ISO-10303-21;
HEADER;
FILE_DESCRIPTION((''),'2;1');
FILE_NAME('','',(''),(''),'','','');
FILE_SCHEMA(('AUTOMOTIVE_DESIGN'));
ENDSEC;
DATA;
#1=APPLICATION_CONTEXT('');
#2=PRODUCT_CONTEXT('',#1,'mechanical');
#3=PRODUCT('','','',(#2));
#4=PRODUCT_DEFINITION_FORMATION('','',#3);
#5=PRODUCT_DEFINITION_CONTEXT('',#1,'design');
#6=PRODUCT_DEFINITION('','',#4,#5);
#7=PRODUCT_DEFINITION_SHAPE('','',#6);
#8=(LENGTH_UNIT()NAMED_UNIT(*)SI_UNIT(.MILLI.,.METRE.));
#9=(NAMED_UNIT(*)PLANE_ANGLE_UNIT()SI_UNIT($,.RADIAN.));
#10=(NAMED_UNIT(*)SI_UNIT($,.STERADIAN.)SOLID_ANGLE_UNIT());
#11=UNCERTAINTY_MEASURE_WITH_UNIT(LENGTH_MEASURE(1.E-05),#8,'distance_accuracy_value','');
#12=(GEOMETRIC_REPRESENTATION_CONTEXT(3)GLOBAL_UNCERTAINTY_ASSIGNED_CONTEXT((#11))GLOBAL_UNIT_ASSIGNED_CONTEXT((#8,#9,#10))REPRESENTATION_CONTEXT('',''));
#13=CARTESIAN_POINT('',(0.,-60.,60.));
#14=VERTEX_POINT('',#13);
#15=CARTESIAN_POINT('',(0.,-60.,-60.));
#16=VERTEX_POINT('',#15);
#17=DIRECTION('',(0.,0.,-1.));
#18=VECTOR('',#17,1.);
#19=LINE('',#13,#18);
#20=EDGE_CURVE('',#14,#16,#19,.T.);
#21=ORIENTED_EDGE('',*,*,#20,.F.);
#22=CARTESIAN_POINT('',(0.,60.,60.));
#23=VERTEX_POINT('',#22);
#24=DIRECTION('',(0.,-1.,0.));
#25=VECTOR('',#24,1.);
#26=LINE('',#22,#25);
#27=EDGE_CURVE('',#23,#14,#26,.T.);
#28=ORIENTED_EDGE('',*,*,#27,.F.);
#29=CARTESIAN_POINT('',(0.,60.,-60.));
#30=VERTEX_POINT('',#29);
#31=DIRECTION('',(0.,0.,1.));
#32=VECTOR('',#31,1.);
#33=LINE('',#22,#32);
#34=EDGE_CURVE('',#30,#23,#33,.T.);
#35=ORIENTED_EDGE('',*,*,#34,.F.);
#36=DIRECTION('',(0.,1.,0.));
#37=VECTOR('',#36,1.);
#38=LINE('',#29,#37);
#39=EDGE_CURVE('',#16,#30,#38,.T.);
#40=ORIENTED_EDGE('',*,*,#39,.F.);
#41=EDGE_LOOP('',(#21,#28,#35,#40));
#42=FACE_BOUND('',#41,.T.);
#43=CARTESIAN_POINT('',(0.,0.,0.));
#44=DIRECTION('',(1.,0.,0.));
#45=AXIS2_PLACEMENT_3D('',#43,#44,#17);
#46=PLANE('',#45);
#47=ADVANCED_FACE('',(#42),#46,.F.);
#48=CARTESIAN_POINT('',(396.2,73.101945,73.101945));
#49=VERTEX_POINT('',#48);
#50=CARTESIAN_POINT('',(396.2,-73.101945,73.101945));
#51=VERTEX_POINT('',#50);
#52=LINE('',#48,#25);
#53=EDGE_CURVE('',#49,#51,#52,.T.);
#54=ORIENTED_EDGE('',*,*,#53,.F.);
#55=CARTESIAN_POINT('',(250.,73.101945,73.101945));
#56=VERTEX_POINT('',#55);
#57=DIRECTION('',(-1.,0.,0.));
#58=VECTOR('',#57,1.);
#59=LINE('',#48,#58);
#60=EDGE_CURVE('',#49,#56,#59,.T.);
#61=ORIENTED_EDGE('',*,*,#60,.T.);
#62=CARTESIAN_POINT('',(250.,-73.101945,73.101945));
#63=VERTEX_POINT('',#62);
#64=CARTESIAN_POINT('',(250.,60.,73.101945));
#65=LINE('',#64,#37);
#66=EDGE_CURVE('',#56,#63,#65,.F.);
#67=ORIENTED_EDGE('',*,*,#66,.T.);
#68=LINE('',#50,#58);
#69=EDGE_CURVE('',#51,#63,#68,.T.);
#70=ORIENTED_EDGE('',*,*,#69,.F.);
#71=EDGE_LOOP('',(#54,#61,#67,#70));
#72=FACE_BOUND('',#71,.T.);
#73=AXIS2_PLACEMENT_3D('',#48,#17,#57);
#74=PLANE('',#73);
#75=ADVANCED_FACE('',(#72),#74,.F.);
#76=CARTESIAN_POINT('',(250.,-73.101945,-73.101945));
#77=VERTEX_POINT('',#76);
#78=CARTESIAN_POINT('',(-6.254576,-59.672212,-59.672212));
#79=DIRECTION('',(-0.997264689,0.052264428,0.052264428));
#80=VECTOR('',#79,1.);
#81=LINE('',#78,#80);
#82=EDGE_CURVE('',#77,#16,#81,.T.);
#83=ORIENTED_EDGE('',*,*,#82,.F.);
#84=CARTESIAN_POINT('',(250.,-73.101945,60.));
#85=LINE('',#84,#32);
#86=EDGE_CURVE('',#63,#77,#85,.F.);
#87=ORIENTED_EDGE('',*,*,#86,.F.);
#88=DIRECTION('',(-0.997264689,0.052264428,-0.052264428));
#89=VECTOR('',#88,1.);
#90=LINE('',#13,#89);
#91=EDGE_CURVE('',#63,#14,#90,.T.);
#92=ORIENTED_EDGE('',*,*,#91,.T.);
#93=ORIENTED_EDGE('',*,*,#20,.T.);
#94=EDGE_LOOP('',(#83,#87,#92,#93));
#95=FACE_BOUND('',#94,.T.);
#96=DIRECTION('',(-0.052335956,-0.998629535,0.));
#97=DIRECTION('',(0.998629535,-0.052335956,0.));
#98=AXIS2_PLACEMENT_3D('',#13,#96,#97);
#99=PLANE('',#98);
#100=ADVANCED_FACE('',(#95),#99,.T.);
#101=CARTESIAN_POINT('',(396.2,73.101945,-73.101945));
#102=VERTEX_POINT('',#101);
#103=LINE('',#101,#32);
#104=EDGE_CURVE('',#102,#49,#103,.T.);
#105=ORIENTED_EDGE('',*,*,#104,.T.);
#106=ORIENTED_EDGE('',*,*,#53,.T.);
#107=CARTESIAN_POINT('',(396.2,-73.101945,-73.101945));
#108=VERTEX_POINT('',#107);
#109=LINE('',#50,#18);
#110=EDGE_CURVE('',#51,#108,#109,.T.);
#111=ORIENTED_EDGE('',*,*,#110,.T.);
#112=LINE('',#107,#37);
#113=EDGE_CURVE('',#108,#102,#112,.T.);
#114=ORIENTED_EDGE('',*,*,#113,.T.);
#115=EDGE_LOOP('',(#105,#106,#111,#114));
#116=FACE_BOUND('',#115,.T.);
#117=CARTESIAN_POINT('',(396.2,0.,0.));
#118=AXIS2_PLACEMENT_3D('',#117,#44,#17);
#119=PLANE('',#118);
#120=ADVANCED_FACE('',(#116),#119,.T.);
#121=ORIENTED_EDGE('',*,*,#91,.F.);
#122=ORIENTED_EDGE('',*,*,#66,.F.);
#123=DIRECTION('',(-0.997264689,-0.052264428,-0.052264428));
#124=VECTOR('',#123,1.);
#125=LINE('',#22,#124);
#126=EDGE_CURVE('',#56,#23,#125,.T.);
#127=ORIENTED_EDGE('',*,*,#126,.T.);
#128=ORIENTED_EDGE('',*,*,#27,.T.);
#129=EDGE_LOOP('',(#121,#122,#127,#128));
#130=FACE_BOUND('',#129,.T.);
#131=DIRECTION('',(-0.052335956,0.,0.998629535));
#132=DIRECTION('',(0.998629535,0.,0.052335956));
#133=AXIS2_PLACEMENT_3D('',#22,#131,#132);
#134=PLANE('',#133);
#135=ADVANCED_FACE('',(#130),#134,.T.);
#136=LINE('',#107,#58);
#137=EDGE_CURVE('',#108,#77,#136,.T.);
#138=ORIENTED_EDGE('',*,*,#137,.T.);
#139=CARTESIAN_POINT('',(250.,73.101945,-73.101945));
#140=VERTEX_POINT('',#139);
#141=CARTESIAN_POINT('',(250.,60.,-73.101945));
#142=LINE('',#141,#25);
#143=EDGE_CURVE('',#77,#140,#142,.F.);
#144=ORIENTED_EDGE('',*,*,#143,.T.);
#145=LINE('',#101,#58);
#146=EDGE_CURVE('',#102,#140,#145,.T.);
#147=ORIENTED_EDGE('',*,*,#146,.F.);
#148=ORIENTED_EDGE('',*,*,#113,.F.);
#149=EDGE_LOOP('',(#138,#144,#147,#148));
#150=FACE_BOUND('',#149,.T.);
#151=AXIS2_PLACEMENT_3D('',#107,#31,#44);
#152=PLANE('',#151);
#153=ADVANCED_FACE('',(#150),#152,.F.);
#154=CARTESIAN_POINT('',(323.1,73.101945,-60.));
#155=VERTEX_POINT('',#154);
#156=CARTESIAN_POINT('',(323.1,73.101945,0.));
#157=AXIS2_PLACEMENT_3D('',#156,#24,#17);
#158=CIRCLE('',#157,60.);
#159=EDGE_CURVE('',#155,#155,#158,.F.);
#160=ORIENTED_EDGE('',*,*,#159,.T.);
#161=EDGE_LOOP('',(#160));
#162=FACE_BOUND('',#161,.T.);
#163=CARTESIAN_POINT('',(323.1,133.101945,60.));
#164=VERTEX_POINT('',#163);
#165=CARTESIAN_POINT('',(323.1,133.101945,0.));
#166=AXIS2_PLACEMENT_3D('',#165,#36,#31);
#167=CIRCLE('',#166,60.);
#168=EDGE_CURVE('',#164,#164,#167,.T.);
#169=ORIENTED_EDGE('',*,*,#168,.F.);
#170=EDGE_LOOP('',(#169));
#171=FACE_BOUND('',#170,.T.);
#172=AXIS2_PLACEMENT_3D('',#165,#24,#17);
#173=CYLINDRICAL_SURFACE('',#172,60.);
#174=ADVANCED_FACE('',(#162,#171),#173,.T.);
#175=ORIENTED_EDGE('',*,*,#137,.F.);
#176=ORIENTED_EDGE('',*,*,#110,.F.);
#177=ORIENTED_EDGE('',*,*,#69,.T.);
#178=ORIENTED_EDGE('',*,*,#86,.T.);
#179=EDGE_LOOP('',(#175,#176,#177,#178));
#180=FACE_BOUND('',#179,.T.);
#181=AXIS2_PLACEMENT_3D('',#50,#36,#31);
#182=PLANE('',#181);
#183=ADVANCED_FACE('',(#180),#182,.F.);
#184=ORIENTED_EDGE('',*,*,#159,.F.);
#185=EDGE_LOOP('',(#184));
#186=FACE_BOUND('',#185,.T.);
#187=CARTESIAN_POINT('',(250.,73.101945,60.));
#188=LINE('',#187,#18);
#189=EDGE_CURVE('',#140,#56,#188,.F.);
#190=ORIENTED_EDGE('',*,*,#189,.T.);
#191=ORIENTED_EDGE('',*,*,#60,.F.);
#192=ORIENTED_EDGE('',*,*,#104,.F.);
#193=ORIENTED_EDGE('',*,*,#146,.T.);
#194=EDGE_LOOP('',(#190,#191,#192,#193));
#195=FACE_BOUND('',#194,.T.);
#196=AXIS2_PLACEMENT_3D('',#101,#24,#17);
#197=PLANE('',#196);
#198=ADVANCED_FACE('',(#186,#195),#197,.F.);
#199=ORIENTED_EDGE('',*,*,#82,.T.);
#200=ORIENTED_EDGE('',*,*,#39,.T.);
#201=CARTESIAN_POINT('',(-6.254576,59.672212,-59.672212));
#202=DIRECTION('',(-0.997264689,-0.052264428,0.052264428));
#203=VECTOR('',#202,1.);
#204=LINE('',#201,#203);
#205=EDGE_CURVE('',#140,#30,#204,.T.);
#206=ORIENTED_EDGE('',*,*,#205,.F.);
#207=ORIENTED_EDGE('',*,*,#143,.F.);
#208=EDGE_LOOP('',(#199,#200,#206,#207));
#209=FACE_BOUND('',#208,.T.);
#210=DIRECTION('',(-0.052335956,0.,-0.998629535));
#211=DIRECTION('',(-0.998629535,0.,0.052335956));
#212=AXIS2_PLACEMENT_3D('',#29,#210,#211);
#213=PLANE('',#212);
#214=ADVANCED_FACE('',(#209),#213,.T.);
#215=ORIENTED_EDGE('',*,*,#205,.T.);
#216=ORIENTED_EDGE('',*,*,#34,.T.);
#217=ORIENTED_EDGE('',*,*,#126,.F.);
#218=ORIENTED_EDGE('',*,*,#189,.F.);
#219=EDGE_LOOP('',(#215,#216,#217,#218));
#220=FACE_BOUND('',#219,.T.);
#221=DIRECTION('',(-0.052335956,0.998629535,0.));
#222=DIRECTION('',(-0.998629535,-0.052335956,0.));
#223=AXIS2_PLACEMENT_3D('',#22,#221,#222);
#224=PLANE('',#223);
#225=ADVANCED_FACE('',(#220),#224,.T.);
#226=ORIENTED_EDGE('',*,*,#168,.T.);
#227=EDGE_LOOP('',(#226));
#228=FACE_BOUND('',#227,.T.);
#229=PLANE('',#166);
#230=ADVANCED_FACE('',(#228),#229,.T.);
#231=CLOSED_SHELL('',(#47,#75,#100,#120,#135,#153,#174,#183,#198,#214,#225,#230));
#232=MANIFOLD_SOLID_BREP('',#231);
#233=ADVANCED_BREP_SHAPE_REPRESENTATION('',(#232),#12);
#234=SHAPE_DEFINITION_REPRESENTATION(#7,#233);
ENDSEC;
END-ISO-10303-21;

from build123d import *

# Parameters (mm, degrees)
SKETCH1_W           = 120
SKETCH1_H           = 120
BOSS_EXTRUDE1_DEPTH = 250
BOSS_EXTRUDE1_DRAFT = -3
SKETCH2_W           = 146.203889642
SKETCH2_H           = 146.203889642
BOSS_EXTRUDE2_DEPTH = 146.2
SKETCH3_R           = 60
BOSS_EXTRUDE3_DEPTH = 60


with BuildPart() as part:
    # Sketch1 → Boss-Extrude1 (with draft: the straight prism first)
    with BuildSketch(Plane(origin=(0, 0, 0), x_dir=(0, 0, -1), z_dir=(1, 0, 0))):
        Rectangle(SKETCH1_W, SKETCH1_H)
    extrude(amount=BOSS_EXTRUDE1_DEPTH)
    # Boss-Extrude1: the draft: its side faces are tilted about the plane it starts from
    boss_extrude1_sides = [part.faces().sort_by_distance(p)[0] for p in [
        (125, 0, 60),
        (125, -60, 0),
        (125, 0, -60),
        (125, 60, 0),
    ]]
    draft(boss_extrude1_sides, Plane(origin=(0, 0, 0), x_dir=(0, 0, -1), z_dir=(1, 0, 0)), BOSS_EXTRUDE1_DRAFT)

    # Sketch2 → Boss-Extrude2 (add)
    with BuildSketch(Plane(origin=(250, 0, 0), x_dir=(0, 0, -1), z_dir=(1, 0, 0))):
        Rectangle(SKETCH2_W, SKETCH2_H)
    extrude(amount=BOSS_EXTRUDE2_DEPTH)

    # Sketch3 → Boss-Extrude3 (add)
    with BuildSketch(Plane(origin=(0, 73.101944821, 0), x_dir=(1, 0, 0), z_dir=(0, 1, 0))):
        with Locations(Location((323.1, 0, 0), (0, 0, 90))):
            Circle(SKETCH3_R)
    extrude(amount=BOSS_EXTRUDE3_DEPTH)


solid = part.part
